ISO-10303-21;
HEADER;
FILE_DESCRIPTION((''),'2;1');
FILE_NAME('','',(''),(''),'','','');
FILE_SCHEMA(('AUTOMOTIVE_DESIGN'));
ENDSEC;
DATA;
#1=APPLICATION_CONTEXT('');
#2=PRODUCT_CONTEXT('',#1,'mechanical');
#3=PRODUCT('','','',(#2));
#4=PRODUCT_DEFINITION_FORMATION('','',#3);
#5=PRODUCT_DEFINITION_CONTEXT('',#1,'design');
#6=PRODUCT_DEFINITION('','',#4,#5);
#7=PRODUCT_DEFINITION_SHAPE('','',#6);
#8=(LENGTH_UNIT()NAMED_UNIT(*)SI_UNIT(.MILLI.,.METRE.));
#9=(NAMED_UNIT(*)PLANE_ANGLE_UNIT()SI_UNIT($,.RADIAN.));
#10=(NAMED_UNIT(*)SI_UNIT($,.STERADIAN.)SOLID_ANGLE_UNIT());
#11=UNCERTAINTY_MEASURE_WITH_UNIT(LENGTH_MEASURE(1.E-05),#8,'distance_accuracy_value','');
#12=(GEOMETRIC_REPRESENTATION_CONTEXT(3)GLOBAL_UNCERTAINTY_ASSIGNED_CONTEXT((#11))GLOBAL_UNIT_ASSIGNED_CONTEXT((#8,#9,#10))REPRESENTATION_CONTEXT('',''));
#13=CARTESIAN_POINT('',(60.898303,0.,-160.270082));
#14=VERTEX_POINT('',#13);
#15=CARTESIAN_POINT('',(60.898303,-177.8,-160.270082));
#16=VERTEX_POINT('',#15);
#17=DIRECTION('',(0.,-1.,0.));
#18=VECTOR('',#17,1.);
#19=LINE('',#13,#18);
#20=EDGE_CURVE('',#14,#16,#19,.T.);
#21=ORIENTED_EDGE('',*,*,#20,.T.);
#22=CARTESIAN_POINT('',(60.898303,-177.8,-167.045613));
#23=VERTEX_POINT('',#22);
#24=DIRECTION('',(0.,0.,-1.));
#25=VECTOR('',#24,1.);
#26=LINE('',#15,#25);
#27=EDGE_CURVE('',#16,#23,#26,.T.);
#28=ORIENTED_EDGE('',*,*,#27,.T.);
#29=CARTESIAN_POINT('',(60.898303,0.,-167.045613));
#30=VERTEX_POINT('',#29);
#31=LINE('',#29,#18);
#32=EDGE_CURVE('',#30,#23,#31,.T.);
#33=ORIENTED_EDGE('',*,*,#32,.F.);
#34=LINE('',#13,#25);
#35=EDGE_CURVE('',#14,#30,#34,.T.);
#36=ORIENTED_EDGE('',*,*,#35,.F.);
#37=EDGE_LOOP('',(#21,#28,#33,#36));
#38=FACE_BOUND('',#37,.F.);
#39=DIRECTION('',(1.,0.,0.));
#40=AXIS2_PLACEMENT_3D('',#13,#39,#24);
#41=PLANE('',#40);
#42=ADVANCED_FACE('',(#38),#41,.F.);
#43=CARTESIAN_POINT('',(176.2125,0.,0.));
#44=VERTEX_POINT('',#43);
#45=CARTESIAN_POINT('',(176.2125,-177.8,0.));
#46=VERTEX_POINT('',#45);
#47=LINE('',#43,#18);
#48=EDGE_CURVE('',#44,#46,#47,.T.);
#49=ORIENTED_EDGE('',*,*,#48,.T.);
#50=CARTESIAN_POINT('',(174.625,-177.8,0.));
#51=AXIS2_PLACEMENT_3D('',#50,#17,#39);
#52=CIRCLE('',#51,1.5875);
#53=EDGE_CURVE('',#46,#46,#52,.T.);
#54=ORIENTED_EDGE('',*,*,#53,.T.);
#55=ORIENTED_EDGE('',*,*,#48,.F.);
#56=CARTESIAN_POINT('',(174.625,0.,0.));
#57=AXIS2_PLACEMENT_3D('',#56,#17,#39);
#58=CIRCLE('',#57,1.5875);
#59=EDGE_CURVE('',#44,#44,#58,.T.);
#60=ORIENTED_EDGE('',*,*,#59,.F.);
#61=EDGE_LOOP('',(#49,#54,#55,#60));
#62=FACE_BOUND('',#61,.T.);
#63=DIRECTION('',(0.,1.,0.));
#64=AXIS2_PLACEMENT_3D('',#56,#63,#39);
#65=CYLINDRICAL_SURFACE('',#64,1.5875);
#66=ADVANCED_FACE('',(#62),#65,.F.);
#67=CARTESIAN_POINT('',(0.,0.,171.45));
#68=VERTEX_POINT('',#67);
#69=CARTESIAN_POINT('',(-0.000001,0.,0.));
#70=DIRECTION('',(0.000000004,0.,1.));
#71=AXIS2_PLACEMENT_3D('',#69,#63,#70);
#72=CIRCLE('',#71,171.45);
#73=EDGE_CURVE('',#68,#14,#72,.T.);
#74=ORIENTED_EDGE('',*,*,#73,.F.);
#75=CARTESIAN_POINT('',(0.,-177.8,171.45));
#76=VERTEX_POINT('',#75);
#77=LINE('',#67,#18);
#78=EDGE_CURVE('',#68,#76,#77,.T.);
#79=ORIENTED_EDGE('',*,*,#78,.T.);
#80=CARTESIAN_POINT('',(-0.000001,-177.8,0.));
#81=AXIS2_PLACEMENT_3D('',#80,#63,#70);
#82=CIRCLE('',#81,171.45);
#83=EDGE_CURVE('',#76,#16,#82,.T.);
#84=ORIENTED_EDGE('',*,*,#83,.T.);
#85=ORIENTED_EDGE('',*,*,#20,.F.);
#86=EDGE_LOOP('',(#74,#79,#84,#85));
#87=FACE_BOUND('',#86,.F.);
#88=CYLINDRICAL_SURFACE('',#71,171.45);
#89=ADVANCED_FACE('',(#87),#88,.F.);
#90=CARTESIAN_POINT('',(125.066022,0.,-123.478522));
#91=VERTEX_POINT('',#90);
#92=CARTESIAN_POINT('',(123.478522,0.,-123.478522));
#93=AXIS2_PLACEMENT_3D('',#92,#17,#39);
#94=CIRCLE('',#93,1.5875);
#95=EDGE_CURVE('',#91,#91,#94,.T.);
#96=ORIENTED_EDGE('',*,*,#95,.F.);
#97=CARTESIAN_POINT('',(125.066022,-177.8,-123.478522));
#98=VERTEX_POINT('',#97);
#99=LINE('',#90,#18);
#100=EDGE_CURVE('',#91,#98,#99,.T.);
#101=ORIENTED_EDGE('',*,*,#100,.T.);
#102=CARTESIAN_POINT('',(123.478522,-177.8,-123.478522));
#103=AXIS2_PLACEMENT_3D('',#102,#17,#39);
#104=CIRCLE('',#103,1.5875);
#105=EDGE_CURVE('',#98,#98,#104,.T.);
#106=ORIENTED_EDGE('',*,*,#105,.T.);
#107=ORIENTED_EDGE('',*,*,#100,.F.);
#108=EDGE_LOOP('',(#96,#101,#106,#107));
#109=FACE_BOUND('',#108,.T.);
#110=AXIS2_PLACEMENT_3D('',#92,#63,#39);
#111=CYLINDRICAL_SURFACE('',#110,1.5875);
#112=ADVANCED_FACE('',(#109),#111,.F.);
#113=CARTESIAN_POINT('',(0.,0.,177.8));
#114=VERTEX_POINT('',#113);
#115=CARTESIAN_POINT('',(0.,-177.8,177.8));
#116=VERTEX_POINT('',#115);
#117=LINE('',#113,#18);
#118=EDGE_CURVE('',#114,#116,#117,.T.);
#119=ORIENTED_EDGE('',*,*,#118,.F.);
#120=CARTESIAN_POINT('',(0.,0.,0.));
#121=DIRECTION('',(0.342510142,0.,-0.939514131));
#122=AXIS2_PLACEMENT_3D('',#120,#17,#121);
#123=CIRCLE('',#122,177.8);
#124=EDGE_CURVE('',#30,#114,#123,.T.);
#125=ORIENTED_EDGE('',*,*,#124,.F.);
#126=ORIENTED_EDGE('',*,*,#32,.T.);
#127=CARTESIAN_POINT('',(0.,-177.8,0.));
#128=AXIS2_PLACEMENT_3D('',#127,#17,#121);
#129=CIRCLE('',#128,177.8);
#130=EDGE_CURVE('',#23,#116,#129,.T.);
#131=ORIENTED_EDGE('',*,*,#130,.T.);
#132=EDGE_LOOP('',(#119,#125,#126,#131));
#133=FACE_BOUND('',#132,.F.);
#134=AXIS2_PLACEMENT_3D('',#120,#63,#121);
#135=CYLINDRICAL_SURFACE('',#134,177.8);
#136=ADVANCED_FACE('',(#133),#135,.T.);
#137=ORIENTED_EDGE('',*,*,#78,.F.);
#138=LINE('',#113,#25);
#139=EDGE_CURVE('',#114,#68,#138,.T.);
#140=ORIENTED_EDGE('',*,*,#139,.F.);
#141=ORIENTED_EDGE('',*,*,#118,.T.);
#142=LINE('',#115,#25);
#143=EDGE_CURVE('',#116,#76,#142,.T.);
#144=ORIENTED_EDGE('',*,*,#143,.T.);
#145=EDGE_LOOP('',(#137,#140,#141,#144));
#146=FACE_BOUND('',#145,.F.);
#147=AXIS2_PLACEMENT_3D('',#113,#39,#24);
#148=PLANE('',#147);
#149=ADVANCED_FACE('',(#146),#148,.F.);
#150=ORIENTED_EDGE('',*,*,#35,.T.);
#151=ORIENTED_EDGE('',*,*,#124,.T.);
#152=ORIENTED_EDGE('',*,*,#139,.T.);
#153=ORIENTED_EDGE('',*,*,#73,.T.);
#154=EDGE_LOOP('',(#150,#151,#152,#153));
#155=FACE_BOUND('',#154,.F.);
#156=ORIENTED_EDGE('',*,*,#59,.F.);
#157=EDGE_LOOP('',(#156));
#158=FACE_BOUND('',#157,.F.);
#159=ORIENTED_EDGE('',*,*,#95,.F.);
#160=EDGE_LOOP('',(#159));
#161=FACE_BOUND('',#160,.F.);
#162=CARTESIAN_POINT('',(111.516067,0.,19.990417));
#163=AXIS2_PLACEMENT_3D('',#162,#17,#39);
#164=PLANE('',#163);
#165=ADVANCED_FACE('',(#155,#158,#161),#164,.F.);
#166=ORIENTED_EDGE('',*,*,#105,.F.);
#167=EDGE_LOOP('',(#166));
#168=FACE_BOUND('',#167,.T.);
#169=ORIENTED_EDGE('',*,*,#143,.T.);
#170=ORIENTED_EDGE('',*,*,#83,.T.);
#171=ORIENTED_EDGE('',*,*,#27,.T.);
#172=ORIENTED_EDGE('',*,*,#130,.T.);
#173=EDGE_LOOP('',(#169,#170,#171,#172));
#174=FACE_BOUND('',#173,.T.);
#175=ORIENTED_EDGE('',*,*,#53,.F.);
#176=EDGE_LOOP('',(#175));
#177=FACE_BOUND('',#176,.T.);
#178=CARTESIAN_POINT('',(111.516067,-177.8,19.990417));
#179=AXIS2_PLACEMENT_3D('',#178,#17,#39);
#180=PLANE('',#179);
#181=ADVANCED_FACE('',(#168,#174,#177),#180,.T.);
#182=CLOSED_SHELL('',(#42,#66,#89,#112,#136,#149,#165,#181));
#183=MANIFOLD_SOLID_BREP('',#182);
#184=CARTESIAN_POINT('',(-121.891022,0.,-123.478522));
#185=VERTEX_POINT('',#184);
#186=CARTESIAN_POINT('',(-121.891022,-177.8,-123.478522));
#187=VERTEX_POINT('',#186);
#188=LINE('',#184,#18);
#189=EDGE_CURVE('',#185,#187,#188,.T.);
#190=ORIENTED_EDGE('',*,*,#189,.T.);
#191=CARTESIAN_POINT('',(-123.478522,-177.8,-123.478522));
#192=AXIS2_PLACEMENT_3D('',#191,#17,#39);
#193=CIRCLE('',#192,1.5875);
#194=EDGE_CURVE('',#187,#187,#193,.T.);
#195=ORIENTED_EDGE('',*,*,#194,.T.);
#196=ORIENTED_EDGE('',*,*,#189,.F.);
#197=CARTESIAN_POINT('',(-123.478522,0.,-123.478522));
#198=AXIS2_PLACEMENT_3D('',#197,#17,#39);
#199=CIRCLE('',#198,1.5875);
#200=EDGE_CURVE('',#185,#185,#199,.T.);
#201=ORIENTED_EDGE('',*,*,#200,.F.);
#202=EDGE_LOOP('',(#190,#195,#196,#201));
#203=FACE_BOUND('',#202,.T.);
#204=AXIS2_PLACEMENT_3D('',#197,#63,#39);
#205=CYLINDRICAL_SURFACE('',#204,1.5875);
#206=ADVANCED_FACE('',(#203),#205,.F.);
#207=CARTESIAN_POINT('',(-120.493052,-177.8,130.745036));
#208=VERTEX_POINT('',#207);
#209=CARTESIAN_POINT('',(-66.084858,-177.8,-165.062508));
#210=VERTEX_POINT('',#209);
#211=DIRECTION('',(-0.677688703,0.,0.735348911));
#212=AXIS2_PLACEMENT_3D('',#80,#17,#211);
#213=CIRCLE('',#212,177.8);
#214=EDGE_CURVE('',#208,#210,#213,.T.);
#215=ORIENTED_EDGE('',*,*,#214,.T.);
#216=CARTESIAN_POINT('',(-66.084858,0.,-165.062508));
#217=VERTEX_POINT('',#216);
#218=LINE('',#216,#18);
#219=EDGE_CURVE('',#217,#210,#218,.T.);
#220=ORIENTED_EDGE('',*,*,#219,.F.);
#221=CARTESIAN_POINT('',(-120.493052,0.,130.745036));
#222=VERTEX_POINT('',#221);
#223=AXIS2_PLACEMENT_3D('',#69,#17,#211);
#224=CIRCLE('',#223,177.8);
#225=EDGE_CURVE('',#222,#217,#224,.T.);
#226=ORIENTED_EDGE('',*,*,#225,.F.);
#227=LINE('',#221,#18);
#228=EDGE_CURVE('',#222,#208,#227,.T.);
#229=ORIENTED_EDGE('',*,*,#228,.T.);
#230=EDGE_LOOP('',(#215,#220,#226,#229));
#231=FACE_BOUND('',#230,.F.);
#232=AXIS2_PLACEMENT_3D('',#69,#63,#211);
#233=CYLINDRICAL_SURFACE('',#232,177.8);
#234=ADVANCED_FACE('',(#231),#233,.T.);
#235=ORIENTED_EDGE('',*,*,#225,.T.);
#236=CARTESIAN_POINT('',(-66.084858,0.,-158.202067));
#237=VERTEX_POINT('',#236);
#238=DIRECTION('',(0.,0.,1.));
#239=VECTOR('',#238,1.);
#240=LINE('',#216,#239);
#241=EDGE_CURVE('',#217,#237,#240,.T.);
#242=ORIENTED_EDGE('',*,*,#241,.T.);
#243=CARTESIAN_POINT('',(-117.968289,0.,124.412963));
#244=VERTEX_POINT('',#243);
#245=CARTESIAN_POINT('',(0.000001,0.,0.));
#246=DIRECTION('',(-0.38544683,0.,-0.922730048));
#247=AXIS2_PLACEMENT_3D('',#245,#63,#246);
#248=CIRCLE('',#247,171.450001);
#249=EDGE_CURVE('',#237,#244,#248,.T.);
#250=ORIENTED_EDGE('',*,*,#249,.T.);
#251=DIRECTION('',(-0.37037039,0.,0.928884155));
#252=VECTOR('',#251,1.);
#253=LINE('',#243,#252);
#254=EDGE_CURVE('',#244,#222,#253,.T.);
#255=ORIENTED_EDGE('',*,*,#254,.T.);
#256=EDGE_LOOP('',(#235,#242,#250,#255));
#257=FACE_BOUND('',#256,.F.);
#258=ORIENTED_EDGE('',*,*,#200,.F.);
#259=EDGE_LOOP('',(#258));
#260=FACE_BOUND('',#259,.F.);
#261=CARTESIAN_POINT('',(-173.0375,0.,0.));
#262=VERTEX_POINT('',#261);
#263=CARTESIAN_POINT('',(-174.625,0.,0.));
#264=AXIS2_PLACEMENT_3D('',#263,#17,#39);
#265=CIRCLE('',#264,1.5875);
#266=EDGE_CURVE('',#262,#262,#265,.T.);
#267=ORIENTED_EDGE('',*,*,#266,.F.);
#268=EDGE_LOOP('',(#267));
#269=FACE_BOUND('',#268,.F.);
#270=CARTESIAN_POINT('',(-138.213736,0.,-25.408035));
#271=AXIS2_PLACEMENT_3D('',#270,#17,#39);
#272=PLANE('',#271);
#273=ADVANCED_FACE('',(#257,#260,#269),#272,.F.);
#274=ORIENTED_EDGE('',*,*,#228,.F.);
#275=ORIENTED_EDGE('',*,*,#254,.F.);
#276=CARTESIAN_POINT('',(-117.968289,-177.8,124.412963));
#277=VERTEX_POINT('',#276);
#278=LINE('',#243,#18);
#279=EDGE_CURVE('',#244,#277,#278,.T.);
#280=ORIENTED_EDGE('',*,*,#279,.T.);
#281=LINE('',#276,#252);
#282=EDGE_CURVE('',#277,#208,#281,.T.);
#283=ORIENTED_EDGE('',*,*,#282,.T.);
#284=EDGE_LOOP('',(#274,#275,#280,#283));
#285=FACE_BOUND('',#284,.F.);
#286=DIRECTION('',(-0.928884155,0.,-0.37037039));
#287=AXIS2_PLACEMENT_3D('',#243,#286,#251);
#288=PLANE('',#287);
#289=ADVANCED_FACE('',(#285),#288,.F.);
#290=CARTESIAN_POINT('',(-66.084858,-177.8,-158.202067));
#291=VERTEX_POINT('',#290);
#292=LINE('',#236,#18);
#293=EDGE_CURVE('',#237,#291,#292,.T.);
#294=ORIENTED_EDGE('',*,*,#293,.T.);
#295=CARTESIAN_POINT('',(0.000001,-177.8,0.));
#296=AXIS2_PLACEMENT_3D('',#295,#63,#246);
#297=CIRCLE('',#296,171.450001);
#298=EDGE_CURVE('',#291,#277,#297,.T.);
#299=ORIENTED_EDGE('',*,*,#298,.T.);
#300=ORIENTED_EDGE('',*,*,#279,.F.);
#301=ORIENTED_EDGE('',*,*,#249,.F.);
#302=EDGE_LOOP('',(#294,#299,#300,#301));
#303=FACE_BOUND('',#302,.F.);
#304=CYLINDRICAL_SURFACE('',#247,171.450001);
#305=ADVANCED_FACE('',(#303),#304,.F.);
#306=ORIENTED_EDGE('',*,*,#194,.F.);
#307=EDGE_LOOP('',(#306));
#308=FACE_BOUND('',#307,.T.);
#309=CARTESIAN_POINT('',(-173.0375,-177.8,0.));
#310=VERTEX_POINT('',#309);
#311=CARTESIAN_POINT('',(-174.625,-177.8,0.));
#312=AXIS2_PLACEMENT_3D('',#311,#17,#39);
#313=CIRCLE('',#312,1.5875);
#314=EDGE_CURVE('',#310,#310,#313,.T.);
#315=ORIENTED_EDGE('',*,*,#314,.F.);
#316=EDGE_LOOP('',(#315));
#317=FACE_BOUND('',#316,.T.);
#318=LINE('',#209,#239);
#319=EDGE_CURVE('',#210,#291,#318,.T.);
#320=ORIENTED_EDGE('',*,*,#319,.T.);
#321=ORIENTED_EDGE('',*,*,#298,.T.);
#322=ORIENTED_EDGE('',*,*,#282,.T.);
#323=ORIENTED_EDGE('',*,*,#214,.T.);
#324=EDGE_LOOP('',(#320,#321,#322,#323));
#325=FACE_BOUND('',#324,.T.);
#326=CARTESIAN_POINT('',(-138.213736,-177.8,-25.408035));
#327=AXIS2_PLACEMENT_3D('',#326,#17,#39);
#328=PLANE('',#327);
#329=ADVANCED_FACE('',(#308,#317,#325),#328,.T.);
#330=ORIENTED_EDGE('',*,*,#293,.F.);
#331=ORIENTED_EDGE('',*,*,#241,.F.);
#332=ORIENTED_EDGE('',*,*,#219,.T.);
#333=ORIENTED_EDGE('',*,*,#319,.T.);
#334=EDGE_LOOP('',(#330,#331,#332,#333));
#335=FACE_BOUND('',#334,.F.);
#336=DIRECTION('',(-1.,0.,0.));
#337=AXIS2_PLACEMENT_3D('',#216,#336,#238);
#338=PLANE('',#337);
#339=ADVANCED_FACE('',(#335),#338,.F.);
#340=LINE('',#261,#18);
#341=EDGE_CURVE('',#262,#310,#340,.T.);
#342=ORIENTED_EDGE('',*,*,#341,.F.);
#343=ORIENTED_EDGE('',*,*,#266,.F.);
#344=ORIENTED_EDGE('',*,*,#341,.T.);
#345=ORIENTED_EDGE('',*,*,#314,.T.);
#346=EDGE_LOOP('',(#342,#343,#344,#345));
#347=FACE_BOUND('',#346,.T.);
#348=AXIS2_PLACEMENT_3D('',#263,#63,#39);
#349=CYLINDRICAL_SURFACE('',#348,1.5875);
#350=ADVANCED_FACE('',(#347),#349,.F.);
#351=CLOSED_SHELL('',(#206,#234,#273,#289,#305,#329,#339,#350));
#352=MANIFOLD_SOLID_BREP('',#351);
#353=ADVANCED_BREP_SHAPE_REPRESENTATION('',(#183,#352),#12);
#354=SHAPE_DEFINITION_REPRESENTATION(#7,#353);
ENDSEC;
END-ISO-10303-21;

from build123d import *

# Parameters (mm, degrees)
F0_R     = 1.5875
F1_DEPTH = 177.8


with BuildPart() as f1:
    # F0 (on Front) → F1 (new body)
    with BuildSketch(Plane.XZ):
        with BuildLine():
            Line((-66.084858, -165.062508), (-66.084858, -158.202067))
            ThreePointArc((-66.084858, -158.202067), (-168.631859, -30.958011), (-117.968289, 124.412963))
            Line((-117.968289, 124.412963), (-120.493052, 130.745036))
            ThreePointArc((-120.493052, 130.745036), (-174.866678, -32.163412), (-66.084858, -165.062508))
        make_face()
        with Locations((-123.478522, -123.478522)):
            Circle(F0_R, mode=Mode.SUBTRACT)
        with Locations((-174.625, 0)):
            Circle(F0_R, mode=Mode.SUBTRACT)
        with BuildLine():
            Line((60.898303, -160.270082), (60.898303, -167.045613))
            ThreePointArc((60.898303, -167.045613), (175.090762, 30.920301), (0, 177.8))
            Line((0, 177.8), (0, 171.45))
            ThreePointArc((0, 171.45), (168.631859, 30.958011), (60.898303, -160.270082))
        make_face()
        with Locations((123.478522, -123.478522)):
            Circle(F0_R, mode=Mode.SUBTRACT)
        with Locations((174.625, 0)):
            Circle(F0_R, mode=Mode.SUBTRACT)
    extrude(amount=F1_DEPTH)


solid = f1.part
